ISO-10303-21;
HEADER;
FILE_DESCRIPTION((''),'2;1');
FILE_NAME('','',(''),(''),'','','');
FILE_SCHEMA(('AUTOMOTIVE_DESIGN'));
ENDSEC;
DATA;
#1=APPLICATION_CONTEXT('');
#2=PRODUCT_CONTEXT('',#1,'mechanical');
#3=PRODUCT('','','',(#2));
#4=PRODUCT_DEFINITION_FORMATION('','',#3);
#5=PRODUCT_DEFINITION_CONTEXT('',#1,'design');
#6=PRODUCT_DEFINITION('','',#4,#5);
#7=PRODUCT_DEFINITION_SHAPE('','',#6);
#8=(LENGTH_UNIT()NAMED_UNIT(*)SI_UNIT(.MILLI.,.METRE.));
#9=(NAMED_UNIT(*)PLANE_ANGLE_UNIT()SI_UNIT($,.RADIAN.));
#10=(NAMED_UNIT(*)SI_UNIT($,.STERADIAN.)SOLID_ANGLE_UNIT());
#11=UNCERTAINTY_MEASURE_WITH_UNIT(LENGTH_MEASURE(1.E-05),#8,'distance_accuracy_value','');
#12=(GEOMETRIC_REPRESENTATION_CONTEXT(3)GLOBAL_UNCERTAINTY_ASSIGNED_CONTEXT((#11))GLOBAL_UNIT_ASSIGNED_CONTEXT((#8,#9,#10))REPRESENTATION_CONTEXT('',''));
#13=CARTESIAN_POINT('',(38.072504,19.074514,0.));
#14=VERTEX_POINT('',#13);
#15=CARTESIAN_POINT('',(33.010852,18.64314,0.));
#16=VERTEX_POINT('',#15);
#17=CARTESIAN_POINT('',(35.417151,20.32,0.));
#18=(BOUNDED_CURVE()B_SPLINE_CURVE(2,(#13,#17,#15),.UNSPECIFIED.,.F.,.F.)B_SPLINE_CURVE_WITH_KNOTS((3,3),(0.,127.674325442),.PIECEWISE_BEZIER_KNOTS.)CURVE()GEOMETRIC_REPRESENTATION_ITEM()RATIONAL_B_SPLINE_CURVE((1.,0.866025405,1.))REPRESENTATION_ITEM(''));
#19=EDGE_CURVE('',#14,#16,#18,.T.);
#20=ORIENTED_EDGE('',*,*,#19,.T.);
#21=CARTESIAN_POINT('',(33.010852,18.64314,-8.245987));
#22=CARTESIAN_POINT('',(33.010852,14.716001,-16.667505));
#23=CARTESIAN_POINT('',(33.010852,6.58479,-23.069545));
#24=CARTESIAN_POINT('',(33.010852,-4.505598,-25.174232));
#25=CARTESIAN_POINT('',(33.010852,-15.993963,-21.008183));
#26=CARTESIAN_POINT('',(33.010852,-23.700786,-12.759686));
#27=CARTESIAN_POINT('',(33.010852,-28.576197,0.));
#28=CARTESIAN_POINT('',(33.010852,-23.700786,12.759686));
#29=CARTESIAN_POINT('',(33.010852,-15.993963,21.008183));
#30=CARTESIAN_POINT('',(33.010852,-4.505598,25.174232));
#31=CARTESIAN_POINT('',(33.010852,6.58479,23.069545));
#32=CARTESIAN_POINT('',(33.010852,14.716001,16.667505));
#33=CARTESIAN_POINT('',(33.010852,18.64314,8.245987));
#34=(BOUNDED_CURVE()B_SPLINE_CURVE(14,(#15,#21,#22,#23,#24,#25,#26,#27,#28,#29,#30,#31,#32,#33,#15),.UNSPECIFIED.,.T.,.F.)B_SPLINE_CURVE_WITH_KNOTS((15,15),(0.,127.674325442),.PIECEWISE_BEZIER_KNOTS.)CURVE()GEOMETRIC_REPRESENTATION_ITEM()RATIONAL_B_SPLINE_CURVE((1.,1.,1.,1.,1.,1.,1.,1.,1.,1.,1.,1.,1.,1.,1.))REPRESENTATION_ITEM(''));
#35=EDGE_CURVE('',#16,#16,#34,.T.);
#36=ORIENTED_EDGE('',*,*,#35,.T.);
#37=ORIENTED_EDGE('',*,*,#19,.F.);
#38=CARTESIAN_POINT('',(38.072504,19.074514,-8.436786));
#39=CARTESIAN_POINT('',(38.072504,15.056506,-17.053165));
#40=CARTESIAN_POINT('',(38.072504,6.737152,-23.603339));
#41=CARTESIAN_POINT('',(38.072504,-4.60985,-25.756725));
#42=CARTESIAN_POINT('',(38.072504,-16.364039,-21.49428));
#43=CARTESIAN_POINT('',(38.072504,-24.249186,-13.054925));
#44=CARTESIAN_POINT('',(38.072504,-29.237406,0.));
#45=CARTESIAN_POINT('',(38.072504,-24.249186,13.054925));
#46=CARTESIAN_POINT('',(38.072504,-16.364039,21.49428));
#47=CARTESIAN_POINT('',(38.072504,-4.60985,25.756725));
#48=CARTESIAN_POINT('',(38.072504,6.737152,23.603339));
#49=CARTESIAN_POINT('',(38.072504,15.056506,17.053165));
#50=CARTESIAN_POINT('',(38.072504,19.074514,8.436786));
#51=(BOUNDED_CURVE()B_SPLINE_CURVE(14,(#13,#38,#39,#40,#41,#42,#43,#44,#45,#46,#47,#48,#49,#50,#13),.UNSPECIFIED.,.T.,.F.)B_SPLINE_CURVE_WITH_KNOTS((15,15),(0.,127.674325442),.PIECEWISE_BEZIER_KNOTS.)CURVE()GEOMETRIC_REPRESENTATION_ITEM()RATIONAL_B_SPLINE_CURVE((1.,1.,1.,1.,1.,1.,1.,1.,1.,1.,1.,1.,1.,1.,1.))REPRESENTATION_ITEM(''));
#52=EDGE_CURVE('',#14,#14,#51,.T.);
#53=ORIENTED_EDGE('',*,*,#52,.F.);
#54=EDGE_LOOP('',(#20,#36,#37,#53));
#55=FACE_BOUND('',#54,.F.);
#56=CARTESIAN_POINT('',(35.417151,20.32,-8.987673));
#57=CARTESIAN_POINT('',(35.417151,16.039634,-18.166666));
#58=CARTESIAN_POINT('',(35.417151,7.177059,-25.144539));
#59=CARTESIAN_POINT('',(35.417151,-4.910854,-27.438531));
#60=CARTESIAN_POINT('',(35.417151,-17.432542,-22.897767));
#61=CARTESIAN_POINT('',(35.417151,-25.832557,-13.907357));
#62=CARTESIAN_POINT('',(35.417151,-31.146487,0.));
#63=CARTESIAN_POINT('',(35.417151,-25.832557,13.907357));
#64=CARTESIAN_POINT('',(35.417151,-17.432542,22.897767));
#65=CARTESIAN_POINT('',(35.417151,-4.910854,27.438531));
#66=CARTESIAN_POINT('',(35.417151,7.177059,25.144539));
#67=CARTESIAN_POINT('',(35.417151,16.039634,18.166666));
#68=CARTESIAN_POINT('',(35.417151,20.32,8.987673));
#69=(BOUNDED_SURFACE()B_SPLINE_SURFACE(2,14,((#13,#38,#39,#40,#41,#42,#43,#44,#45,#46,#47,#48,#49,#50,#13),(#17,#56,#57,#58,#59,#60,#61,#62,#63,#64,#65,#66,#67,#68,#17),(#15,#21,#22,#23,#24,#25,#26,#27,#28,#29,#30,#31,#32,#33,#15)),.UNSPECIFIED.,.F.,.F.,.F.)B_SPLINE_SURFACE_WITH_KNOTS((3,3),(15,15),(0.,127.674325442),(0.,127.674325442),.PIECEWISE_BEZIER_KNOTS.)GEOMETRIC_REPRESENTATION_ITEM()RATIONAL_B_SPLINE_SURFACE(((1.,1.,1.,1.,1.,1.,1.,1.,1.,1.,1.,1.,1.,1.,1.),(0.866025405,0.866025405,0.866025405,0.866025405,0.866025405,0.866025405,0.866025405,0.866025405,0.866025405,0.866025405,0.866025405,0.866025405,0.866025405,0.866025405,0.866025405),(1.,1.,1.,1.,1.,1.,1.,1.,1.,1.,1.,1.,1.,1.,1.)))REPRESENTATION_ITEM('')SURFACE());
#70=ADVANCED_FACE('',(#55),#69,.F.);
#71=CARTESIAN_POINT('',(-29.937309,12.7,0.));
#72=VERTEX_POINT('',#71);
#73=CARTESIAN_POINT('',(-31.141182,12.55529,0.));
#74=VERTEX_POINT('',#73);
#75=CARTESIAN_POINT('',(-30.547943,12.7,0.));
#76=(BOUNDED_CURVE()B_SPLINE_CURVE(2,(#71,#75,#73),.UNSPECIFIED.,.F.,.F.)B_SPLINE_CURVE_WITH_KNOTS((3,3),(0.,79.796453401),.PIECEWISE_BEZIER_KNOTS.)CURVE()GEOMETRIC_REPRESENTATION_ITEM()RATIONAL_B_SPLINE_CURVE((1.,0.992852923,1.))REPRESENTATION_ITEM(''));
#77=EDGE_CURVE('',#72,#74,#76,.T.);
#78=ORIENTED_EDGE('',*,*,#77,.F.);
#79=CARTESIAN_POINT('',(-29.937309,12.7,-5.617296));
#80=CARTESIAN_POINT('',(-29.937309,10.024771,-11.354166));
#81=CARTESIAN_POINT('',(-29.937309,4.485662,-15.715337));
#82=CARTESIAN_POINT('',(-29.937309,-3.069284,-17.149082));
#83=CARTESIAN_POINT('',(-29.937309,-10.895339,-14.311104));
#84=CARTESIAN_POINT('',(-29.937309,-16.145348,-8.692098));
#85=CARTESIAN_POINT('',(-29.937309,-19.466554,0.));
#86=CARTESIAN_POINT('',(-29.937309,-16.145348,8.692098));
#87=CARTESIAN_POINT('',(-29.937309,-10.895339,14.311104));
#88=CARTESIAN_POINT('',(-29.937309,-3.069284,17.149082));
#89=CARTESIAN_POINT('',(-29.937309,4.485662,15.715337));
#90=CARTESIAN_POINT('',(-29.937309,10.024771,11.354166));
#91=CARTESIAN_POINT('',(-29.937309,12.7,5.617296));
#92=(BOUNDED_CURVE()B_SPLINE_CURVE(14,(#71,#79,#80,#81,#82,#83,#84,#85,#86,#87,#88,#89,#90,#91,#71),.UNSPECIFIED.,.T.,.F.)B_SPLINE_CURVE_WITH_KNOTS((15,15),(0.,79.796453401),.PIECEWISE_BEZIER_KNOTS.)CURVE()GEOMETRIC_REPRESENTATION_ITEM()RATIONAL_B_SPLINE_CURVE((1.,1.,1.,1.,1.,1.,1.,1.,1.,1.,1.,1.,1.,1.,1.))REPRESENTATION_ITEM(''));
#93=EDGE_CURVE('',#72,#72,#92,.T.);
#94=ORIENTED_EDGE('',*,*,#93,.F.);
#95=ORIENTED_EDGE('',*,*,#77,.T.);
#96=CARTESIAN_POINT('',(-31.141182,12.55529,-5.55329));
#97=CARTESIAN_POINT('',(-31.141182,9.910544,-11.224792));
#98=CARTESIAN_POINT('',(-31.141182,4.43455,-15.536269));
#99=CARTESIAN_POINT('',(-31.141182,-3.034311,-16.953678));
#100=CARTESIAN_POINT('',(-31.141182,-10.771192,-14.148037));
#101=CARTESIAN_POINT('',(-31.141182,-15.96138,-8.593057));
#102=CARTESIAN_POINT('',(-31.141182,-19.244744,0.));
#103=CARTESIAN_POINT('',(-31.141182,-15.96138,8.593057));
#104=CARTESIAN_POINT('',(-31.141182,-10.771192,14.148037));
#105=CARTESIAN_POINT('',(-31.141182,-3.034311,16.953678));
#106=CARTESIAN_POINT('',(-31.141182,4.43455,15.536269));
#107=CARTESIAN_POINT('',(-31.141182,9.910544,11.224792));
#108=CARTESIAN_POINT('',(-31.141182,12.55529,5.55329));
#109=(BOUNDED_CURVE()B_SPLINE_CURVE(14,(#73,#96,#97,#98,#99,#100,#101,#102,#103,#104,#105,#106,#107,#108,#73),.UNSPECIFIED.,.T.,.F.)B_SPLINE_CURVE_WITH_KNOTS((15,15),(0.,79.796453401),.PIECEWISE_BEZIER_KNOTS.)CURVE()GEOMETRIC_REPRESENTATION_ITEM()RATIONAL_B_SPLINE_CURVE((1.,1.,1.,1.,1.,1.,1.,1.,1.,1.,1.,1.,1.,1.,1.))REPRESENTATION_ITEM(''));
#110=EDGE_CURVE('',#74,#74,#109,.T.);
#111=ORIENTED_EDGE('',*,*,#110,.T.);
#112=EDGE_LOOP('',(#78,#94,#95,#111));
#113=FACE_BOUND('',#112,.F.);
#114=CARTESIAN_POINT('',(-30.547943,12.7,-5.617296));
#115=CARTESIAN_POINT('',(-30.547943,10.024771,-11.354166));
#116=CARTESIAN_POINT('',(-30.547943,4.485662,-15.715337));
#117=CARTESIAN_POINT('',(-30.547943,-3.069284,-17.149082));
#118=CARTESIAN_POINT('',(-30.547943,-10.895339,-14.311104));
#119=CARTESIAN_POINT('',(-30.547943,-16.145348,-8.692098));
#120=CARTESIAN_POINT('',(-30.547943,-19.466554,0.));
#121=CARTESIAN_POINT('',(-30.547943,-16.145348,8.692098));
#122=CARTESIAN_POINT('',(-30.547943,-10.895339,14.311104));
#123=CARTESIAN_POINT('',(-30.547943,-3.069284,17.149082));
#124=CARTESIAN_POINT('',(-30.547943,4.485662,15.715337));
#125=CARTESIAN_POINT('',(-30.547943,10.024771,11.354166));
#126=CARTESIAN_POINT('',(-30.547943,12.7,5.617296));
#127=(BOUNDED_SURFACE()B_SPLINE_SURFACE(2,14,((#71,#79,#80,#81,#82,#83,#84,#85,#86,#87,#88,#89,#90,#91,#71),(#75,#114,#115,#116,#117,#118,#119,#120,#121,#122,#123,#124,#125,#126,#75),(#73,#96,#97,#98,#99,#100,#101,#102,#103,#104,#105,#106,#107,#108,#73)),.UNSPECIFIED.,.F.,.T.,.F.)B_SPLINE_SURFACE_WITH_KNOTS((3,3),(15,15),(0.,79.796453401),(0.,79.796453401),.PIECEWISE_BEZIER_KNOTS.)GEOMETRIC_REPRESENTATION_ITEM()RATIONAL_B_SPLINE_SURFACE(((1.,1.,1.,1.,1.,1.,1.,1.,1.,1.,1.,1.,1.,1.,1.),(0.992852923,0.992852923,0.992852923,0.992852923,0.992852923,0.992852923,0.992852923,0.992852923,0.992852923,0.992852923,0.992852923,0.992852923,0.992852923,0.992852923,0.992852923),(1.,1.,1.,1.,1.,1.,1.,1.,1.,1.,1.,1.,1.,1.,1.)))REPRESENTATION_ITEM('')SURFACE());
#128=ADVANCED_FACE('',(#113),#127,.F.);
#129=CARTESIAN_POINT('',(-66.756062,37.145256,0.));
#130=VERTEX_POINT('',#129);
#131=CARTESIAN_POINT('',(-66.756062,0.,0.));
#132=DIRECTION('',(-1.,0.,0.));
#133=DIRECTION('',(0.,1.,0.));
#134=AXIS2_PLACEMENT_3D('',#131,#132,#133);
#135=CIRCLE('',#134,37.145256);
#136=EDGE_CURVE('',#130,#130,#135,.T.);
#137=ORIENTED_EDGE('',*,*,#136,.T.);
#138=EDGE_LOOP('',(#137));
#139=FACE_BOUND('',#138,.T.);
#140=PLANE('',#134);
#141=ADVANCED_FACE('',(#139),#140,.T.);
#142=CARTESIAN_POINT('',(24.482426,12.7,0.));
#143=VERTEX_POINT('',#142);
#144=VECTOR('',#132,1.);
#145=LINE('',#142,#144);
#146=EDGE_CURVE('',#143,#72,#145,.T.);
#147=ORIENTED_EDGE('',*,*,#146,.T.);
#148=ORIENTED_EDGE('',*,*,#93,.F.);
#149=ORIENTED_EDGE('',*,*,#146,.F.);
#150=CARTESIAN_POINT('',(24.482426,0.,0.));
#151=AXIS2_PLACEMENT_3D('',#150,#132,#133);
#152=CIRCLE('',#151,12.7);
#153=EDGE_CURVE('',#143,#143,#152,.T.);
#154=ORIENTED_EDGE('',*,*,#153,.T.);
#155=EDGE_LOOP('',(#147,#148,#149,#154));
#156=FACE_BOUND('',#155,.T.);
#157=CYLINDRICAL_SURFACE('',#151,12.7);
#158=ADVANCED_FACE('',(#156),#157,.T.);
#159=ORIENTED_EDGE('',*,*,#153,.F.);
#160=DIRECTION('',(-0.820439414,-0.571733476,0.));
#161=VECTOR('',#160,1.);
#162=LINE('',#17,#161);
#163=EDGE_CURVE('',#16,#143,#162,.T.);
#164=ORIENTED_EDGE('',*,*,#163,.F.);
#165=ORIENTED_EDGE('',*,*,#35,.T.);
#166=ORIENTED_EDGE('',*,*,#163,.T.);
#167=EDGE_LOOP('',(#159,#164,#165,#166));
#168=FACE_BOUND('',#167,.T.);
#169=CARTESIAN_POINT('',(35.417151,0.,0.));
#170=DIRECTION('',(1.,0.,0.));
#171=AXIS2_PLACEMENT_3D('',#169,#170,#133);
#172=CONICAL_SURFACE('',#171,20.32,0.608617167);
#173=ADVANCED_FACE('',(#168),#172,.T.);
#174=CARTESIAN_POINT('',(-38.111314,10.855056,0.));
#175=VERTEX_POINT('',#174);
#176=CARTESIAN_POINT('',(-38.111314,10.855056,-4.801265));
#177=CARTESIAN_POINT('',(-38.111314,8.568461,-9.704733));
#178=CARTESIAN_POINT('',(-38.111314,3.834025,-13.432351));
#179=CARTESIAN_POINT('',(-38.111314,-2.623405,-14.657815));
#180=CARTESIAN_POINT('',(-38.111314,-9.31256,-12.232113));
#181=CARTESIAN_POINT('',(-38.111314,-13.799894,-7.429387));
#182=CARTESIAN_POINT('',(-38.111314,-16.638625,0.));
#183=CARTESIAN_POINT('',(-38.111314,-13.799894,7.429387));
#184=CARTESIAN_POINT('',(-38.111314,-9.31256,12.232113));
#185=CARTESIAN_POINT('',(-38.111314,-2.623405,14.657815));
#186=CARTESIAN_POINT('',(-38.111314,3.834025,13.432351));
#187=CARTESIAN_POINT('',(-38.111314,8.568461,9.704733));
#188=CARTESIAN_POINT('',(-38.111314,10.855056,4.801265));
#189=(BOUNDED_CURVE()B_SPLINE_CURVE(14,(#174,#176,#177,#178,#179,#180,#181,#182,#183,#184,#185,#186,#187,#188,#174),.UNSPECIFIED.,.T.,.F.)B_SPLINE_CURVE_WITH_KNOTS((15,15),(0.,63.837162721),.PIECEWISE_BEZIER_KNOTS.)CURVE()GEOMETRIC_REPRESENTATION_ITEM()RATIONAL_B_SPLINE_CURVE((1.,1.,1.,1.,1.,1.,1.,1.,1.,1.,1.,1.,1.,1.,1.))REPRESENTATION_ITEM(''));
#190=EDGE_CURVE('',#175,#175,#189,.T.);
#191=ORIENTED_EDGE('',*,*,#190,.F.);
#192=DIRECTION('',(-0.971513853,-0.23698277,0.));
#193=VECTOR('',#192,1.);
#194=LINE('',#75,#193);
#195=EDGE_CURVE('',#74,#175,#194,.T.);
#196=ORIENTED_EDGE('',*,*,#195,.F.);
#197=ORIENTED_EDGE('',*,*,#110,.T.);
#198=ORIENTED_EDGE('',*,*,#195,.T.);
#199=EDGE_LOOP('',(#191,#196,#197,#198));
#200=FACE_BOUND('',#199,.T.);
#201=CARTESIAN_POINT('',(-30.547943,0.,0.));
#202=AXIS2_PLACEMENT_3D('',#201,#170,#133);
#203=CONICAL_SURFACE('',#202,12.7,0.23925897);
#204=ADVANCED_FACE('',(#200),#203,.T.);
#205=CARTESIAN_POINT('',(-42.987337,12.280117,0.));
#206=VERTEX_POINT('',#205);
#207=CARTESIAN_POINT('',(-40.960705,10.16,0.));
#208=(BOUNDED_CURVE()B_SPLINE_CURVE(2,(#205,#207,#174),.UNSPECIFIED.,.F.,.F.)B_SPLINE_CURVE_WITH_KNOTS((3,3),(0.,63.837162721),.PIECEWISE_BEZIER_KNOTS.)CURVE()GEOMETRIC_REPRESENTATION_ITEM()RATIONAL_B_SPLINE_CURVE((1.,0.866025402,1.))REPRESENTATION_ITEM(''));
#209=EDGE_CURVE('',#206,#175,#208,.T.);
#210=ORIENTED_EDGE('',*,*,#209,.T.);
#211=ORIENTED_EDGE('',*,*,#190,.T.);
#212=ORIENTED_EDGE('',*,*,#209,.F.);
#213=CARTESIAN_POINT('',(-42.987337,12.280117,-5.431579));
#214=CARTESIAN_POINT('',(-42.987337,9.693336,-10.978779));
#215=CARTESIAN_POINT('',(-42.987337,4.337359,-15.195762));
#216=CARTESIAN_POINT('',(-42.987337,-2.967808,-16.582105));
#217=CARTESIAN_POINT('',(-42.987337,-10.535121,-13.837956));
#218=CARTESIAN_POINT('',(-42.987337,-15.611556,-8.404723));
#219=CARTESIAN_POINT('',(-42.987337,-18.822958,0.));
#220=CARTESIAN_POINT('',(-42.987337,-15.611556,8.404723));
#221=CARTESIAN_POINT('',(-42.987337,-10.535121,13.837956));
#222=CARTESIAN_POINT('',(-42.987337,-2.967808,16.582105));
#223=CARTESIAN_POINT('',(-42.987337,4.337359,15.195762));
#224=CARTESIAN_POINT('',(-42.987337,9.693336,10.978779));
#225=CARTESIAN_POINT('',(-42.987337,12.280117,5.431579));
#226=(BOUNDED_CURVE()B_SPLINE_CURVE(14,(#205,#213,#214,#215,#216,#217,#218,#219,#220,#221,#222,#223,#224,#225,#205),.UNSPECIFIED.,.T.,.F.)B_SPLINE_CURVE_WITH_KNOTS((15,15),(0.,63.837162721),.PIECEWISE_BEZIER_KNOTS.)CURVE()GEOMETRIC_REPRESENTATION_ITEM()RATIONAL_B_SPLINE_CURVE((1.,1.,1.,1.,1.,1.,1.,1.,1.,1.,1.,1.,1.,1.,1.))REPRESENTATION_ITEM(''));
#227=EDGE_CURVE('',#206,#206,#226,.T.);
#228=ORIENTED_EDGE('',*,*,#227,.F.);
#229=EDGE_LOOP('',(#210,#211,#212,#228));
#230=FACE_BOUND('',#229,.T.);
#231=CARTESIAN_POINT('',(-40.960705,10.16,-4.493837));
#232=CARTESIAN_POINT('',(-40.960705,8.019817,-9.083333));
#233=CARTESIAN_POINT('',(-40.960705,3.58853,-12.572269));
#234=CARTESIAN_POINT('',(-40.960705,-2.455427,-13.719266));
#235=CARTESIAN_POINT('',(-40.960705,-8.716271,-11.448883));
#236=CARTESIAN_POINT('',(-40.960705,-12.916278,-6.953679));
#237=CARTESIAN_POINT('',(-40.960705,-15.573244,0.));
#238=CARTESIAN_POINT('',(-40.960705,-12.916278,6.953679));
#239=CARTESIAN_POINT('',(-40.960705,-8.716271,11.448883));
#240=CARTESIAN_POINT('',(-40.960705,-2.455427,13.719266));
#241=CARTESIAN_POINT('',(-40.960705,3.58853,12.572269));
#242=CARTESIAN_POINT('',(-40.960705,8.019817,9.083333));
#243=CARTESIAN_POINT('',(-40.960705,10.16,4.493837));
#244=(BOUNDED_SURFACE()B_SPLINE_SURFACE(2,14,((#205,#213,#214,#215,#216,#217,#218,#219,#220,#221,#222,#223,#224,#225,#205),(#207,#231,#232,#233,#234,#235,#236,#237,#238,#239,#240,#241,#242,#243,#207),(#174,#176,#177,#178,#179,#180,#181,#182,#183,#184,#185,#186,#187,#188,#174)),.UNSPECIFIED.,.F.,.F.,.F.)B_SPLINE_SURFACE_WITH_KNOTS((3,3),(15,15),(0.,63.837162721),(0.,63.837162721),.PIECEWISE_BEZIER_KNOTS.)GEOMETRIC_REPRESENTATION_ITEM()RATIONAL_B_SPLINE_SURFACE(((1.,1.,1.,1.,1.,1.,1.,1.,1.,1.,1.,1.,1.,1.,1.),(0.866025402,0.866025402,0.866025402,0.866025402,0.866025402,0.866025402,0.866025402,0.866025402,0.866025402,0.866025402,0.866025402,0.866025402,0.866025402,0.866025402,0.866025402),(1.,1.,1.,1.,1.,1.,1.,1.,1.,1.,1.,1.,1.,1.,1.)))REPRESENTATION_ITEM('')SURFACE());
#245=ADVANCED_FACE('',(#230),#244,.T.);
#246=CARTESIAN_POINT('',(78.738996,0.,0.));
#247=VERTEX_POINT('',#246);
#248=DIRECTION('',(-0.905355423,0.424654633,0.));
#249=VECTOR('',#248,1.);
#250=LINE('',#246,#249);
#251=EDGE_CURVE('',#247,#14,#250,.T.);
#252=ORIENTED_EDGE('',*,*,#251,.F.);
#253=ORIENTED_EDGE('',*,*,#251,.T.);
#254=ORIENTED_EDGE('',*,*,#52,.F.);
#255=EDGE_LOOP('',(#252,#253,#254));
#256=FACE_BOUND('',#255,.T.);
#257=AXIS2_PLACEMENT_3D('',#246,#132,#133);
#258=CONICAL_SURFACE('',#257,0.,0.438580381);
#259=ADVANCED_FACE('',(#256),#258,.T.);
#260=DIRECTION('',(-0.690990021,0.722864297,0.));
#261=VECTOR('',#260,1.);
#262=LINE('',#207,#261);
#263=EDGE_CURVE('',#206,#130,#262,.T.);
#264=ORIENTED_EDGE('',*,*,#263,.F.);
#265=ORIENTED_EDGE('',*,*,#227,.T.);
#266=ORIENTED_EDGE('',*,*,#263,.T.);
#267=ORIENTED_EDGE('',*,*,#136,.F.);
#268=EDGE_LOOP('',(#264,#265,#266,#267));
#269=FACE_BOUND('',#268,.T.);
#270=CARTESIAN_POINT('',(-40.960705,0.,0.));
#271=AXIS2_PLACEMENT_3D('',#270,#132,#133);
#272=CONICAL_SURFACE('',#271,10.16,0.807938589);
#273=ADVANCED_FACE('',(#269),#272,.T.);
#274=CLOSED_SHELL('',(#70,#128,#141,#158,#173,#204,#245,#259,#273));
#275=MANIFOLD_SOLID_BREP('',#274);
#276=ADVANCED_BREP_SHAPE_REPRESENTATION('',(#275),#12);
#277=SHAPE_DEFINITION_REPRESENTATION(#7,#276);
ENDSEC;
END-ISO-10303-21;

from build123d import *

# Parameters (mm, degrees)
F2_R = 5.08


with BuildPart() as f1:
    # F0 (on Top) → F1 (revolve)
    with BuildSketch(Plane.XY):
        Polygon((-40.960705, 10.16), (-66.756062, 37.145256), (-66.756062, 0), (78.738996, 0), (35.417151, 20.32), (24.482426, 12.7), (-30.547943, 12.7), align=None)
    revolve(axis=Axis((5.991467, 0, 0), (-1, 0, 0)))

    # F2
    f2_edges = [f1.edges().sort_by_distance(p)[0] for p in [
        (-40.960705, -10.16, 0),
        (-30.547943, -12.7, 0),
        (35.417151, -20.32, 0),
    ]]
    fillet(f2_edges, radius=F2_R)


solid = f1.part
